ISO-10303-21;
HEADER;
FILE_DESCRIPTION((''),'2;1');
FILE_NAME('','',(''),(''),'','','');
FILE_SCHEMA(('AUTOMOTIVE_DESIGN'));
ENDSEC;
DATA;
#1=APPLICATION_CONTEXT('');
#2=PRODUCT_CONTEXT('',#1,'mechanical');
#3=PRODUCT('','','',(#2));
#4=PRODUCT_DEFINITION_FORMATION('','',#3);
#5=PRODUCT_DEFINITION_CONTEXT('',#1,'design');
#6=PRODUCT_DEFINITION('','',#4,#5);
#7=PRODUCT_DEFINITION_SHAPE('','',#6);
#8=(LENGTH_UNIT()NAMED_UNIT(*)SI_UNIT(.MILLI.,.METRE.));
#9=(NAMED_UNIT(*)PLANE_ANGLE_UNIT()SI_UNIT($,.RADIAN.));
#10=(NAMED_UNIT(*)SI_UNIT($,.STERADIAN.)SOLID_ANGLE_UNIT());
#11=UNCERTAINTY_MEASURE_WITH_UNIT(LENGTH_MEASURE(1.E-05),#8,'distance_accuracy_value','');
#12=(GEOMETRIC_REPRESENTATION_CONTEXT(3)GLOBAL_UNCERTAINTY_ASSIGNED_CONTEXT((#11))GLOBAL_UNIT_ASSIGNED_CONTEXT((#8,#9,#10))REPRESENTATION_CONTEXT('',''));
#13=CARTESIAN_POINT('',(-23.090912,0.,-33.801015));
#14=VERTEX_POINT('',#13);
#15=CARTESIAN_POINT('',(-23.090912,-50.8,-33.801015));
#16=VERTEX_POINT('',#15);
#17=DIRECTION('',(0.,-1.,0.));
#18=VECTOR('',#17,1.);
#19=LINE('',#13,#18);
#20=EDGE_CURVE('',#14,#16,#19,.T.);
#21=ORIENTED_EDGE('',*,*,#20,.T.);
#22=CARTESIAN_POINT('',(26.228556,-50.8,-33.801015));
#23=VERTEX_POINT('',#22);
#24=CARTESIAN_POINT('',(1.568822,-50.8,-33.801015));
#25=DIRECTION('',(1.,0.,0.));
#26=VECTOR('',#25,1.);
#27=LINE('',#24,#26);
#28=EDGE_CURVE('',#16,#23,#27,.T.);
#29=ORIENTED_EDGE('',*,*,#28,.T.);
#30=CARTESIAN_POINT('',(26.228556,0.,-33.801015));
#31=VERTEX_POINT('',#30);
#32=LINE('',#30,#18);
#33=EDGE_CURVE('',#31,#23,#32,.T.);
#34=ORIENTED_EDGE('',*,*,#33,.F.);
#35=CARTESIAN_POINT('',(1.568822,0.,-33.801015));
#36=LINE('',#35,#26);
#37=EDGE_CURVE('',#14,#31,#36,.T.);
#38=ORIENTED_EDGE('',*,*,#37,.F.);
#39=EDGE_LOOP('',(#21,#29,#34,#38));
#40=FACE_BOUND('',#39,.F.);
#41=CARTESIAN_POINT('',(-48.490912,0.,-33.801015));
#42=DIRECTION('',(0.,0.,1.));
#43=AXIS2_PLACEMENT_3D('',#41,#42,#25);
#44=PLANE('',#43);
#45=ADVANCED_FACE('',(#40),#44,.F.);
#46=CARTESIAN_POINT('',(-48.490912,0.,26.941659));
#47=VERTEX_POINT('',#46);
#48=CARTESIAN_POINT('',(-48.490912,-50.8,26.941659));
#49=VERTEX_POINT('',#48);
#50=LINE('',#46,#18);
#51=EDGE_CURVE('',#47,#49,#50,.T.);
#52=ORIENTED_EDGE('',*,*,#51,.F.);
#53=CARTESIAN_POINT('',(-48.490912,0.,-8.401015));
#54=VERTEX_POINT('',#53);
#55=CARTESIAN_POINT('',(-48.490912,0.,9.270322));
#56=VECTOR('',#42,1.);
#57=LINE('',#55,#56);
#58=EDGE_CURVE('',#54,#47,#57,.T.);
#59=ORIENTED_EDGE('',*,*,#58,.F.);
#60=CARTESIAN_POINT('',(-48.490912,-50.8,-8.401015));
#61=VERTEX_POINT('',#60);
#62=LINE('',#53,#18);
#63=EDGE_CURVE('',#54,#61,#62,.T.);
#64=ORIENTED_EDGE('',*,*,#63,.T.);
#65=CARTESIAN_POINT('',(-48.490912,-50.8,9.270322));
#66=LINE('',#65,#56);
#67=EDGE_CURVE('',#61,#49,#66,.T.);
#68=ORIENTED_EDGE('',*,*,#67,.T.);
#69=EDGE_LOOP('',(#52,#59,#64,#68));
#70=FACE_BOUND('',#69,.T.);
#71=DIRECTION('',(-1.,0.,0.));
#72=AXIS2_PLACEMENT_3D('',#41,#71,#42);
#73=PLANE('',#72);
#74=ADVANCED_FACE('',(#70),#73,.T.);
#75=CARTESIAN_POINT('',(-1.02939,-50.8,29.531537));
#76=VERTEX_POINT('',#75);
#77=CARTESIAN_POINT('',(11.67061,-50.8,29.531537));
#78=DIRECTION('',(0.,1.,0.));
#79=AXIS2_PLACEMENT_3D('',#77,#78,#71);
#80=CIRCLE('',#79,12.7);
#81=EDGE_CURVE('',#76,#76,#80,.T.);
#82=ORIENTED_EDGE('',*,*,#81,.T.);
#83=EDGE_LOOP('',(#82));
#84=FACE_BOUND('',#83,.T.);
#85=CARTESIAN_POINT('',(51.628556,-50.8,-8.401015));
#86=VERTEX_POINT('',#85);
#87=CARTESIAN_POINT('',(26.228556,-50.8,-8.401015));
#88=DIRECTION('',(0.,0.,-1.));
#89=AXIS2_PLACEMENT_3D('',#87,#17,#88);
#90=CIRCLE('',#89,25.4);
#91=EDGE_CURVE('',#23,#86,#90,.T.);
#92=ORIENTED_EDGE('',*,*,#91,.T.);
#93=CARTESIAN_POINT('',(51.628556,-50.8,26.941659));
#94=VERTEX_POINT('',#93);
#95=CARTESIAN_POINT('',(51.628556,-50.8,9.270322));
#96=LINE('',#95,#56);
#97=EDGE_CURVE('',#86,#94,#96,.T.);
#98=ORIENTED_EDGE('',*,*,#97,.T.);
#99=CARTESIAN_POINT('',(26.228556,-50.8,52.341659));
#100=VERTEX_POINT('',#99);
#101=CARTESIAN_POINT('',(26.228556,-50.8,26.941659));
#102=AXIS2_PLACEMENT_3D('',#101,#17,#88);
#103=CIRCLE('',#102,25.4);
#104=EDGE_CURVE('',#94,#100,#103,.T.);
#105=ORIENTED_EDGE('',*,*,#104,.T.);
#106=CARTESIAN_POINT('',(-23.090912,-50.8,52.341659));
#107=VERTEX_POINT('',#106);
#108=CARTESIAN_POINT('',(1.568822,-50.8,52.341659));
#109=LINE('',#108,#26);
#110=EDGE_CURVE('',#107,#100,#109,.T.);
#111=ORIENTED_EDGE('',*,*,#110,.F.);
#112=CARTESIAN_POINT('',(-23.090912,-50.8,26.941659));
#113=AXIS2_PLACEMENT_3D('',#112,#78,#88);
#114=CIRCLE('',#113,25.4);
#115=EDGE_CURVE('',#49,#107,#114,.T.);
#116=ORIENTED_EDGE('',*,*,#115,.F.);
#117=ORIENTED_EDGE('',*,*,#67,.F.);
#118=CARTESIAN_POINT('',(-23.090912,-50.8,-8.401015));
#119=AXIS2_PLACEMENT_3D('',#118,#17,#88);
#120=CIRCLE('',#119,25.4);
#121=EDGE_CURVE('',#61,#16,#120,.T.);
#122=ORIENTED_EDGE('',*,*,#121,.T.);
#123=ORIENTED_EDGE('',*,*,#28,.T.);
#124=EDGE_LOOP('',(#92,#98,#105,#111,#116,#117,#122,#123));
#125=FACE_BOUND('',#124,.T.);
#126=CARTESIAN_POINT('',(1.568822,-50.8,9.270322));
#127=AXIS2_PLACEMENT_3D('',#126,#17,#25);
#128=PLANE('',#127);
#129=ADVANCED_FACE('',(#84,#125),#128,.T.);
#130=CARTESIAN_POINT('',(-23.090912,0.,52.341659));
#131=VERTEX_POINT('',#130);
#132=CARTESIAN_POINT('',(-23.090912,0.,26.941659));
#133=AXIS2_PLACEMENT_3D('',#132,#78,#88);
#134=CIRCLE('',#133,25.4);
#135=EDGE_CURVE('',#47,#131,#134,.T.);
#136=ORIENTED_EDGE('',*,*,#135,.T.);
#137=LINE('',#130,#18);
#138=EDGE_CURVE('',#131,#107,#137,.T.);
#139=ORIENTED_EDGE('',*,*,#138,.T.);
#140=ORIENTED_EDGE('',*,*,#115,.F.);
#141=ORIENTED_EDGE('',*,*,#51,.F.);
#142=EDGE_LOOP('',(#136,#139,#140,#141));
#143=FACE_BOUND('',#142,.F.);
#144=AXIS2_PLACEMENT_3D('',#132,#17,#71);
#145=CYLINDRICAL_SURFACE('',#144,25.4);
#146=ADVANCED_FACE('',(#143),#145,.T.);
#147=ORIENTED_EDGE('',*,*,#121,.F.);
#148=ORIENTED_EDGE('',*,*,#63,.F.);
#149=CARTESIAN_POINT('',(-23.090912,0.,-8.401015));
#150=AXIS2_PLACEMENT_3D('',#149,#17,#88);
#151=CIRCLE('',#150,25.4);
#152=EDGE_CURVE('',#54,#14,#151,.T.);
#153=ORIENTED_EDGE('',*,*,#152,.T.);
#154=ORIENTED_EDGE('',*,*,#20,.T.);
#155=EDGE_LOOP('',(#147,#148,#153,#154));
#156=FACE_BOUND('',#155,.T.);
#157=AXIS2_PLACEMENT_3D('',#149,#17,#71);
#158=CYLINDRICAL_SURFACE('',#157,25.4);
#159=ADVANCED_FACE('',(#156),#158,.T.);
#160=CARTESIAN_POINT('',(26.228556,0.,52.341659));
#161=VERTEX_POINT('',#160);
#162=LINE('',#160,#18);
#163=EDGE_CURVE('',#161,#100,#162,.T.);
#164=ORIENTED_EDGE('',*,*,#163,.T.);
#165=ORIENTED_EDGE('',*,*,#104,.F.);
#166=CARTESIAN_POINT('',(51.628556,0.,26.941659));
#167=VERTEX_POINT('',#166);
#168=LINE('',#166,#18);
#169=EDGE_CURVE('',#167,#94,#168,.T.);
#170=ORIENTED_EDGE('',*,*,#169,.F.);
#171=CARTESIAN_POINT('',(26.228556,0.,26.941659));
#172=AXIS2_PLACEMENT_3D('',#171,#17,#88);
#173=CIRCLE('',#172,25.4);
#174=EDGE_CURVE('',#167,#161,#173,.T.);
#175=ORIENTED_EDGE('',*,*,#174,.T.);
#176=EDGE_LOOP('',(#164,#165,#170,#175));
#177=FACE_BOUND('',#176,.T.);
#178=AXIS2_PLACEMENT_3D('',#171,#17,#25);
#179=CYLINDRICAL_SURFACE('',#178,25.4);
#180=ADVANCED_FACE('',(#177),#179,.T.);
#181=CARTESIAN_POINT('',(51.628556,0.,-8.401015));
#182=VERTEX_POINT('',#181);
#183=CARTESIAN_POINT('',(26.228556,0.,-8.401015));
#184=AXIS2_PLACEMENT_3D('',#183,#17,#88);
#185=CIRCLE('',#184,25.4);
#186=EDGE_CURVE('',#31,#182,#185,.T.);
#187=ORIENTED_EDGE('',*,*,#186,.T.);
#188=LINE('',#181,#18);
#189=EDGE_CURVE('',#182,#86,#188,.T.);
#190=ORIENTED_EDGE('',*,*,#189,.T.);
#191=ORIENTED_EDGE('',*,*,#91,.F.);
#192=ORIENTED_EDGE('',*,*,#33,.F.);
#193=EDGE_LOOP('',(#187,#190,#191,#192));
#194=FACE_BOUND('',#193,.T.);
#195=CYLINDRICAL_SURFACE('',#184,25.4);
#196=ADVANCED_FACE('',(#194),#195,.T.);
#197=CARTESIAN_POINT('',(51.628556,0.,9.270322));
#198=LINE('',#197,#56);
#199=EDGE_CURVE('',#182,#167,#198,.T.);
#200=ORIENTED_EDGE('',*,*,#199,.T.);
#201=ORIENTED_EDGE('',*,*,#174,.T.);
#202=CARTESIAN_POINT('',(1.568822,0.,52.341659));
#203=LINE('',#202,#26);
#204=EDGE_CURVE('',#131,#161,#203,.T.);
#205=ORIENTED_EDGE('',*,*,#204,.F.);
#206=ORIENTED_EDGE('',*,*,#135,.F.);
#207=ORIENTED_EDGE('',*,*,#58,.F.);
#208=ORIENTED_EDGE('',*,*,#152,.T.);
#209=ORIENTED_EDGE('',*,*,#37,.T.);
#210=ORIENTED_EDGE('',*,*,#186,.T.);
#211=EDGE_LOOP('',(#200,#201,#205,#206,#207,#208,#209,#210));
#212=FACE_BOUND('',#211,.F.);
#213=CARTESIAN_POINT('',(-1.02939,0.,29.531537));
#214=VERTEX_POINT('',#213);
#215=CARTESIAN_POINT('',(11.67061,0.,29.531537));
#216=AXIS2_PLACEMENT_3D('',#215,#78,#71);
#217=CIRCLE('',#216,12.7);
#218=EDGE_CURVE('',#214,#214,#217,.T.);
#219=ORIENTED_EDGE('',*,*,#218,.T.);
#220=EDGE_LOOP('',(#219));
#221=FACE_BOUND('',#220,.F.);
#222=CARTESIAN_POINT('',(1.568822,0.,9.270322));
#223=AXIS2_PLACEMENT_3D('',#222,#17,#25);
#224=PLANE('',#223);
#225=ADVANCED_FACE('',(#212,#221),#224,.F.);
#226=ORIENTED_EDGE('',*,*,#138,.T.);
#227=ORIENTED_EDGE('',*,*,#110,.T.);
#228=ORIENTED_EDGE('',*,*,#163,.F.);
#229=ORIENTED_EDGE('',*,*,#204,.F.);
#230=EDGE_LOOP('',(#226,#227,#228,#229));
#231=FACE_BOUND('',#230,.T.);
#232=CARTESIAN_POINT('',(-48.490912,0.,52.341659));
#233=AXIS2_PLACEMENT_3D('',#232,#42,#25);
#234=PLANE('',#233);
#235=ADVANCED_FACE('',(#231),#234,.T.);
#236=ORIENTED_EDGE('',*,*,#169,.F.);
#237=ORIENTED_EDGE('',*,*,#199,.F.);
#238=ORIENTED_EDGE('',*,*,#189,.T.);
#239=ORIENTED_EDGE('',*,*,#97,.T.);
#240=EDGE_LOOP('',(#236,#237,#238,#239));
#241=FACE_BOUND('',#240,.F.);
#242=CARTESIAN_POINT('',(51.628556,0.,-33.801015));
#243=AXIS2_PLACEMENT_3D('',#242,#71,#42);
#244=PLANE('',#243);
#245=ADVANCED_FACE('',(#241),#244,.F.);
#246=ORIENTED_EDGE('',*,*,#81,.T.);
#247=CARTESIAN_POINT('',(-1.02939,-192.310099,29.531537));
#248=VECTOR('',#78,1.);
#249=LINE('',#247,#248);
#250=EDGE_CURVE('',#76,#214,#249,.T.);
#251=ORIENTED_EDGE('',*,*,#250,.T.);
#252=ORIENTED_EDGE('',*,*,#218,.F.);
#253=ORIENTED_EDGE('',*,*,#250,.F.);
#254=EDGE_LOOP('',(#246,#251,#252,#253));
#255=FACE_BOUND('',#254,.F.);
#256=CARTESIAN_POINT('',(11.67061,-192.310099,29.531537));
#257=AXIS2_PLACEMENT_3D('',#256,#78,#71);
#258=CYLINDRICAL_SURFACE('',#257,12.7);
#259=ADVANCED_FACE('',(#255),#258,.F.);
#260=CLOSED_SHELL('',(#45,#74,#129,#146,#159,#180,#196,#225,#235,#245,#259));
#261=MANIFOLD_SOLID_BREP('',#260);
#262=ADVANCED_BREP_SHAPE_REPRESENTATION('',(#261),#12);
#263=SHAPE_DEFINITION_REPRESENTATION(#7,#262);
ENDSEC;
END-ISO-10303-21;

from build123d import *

# Parameters (mm, degrees)
F0_W     = 100.119468
F0_H     = 86.142674
F1_DEPTH = 50.8
F2_R     = 25.4
F4_D     = 25.4


with BuildPart() as f1:
    # F0 (on Front) → F1 (new body)
    with BuildSketch(Plane.XZ):
        with Locations((1.568822, 9.270322)):
            Rectangle(F0_W, F0_H)
    extrude(amount=F1_DEPTH)

    # F2
    f2_edges = [f1.edges().sort_by_distance(p)[0] for p in [
        (51.628556, -25.4, 52.341659),
        (-48.490912, -25.4, 52.341659),
        (-48.490912, -25.4, -33.801015),
        (51.628556, -25.4, -33.801015),
    ]]
    fillet(f2_edges, radius=F2_R)

    # F4 (through all)
    with Locations(Plane.XZ.offset(50.8)):
        with Locations((11.67061, 29.531537)):
            Hole(F4_D / 2)


solid = f1.part
